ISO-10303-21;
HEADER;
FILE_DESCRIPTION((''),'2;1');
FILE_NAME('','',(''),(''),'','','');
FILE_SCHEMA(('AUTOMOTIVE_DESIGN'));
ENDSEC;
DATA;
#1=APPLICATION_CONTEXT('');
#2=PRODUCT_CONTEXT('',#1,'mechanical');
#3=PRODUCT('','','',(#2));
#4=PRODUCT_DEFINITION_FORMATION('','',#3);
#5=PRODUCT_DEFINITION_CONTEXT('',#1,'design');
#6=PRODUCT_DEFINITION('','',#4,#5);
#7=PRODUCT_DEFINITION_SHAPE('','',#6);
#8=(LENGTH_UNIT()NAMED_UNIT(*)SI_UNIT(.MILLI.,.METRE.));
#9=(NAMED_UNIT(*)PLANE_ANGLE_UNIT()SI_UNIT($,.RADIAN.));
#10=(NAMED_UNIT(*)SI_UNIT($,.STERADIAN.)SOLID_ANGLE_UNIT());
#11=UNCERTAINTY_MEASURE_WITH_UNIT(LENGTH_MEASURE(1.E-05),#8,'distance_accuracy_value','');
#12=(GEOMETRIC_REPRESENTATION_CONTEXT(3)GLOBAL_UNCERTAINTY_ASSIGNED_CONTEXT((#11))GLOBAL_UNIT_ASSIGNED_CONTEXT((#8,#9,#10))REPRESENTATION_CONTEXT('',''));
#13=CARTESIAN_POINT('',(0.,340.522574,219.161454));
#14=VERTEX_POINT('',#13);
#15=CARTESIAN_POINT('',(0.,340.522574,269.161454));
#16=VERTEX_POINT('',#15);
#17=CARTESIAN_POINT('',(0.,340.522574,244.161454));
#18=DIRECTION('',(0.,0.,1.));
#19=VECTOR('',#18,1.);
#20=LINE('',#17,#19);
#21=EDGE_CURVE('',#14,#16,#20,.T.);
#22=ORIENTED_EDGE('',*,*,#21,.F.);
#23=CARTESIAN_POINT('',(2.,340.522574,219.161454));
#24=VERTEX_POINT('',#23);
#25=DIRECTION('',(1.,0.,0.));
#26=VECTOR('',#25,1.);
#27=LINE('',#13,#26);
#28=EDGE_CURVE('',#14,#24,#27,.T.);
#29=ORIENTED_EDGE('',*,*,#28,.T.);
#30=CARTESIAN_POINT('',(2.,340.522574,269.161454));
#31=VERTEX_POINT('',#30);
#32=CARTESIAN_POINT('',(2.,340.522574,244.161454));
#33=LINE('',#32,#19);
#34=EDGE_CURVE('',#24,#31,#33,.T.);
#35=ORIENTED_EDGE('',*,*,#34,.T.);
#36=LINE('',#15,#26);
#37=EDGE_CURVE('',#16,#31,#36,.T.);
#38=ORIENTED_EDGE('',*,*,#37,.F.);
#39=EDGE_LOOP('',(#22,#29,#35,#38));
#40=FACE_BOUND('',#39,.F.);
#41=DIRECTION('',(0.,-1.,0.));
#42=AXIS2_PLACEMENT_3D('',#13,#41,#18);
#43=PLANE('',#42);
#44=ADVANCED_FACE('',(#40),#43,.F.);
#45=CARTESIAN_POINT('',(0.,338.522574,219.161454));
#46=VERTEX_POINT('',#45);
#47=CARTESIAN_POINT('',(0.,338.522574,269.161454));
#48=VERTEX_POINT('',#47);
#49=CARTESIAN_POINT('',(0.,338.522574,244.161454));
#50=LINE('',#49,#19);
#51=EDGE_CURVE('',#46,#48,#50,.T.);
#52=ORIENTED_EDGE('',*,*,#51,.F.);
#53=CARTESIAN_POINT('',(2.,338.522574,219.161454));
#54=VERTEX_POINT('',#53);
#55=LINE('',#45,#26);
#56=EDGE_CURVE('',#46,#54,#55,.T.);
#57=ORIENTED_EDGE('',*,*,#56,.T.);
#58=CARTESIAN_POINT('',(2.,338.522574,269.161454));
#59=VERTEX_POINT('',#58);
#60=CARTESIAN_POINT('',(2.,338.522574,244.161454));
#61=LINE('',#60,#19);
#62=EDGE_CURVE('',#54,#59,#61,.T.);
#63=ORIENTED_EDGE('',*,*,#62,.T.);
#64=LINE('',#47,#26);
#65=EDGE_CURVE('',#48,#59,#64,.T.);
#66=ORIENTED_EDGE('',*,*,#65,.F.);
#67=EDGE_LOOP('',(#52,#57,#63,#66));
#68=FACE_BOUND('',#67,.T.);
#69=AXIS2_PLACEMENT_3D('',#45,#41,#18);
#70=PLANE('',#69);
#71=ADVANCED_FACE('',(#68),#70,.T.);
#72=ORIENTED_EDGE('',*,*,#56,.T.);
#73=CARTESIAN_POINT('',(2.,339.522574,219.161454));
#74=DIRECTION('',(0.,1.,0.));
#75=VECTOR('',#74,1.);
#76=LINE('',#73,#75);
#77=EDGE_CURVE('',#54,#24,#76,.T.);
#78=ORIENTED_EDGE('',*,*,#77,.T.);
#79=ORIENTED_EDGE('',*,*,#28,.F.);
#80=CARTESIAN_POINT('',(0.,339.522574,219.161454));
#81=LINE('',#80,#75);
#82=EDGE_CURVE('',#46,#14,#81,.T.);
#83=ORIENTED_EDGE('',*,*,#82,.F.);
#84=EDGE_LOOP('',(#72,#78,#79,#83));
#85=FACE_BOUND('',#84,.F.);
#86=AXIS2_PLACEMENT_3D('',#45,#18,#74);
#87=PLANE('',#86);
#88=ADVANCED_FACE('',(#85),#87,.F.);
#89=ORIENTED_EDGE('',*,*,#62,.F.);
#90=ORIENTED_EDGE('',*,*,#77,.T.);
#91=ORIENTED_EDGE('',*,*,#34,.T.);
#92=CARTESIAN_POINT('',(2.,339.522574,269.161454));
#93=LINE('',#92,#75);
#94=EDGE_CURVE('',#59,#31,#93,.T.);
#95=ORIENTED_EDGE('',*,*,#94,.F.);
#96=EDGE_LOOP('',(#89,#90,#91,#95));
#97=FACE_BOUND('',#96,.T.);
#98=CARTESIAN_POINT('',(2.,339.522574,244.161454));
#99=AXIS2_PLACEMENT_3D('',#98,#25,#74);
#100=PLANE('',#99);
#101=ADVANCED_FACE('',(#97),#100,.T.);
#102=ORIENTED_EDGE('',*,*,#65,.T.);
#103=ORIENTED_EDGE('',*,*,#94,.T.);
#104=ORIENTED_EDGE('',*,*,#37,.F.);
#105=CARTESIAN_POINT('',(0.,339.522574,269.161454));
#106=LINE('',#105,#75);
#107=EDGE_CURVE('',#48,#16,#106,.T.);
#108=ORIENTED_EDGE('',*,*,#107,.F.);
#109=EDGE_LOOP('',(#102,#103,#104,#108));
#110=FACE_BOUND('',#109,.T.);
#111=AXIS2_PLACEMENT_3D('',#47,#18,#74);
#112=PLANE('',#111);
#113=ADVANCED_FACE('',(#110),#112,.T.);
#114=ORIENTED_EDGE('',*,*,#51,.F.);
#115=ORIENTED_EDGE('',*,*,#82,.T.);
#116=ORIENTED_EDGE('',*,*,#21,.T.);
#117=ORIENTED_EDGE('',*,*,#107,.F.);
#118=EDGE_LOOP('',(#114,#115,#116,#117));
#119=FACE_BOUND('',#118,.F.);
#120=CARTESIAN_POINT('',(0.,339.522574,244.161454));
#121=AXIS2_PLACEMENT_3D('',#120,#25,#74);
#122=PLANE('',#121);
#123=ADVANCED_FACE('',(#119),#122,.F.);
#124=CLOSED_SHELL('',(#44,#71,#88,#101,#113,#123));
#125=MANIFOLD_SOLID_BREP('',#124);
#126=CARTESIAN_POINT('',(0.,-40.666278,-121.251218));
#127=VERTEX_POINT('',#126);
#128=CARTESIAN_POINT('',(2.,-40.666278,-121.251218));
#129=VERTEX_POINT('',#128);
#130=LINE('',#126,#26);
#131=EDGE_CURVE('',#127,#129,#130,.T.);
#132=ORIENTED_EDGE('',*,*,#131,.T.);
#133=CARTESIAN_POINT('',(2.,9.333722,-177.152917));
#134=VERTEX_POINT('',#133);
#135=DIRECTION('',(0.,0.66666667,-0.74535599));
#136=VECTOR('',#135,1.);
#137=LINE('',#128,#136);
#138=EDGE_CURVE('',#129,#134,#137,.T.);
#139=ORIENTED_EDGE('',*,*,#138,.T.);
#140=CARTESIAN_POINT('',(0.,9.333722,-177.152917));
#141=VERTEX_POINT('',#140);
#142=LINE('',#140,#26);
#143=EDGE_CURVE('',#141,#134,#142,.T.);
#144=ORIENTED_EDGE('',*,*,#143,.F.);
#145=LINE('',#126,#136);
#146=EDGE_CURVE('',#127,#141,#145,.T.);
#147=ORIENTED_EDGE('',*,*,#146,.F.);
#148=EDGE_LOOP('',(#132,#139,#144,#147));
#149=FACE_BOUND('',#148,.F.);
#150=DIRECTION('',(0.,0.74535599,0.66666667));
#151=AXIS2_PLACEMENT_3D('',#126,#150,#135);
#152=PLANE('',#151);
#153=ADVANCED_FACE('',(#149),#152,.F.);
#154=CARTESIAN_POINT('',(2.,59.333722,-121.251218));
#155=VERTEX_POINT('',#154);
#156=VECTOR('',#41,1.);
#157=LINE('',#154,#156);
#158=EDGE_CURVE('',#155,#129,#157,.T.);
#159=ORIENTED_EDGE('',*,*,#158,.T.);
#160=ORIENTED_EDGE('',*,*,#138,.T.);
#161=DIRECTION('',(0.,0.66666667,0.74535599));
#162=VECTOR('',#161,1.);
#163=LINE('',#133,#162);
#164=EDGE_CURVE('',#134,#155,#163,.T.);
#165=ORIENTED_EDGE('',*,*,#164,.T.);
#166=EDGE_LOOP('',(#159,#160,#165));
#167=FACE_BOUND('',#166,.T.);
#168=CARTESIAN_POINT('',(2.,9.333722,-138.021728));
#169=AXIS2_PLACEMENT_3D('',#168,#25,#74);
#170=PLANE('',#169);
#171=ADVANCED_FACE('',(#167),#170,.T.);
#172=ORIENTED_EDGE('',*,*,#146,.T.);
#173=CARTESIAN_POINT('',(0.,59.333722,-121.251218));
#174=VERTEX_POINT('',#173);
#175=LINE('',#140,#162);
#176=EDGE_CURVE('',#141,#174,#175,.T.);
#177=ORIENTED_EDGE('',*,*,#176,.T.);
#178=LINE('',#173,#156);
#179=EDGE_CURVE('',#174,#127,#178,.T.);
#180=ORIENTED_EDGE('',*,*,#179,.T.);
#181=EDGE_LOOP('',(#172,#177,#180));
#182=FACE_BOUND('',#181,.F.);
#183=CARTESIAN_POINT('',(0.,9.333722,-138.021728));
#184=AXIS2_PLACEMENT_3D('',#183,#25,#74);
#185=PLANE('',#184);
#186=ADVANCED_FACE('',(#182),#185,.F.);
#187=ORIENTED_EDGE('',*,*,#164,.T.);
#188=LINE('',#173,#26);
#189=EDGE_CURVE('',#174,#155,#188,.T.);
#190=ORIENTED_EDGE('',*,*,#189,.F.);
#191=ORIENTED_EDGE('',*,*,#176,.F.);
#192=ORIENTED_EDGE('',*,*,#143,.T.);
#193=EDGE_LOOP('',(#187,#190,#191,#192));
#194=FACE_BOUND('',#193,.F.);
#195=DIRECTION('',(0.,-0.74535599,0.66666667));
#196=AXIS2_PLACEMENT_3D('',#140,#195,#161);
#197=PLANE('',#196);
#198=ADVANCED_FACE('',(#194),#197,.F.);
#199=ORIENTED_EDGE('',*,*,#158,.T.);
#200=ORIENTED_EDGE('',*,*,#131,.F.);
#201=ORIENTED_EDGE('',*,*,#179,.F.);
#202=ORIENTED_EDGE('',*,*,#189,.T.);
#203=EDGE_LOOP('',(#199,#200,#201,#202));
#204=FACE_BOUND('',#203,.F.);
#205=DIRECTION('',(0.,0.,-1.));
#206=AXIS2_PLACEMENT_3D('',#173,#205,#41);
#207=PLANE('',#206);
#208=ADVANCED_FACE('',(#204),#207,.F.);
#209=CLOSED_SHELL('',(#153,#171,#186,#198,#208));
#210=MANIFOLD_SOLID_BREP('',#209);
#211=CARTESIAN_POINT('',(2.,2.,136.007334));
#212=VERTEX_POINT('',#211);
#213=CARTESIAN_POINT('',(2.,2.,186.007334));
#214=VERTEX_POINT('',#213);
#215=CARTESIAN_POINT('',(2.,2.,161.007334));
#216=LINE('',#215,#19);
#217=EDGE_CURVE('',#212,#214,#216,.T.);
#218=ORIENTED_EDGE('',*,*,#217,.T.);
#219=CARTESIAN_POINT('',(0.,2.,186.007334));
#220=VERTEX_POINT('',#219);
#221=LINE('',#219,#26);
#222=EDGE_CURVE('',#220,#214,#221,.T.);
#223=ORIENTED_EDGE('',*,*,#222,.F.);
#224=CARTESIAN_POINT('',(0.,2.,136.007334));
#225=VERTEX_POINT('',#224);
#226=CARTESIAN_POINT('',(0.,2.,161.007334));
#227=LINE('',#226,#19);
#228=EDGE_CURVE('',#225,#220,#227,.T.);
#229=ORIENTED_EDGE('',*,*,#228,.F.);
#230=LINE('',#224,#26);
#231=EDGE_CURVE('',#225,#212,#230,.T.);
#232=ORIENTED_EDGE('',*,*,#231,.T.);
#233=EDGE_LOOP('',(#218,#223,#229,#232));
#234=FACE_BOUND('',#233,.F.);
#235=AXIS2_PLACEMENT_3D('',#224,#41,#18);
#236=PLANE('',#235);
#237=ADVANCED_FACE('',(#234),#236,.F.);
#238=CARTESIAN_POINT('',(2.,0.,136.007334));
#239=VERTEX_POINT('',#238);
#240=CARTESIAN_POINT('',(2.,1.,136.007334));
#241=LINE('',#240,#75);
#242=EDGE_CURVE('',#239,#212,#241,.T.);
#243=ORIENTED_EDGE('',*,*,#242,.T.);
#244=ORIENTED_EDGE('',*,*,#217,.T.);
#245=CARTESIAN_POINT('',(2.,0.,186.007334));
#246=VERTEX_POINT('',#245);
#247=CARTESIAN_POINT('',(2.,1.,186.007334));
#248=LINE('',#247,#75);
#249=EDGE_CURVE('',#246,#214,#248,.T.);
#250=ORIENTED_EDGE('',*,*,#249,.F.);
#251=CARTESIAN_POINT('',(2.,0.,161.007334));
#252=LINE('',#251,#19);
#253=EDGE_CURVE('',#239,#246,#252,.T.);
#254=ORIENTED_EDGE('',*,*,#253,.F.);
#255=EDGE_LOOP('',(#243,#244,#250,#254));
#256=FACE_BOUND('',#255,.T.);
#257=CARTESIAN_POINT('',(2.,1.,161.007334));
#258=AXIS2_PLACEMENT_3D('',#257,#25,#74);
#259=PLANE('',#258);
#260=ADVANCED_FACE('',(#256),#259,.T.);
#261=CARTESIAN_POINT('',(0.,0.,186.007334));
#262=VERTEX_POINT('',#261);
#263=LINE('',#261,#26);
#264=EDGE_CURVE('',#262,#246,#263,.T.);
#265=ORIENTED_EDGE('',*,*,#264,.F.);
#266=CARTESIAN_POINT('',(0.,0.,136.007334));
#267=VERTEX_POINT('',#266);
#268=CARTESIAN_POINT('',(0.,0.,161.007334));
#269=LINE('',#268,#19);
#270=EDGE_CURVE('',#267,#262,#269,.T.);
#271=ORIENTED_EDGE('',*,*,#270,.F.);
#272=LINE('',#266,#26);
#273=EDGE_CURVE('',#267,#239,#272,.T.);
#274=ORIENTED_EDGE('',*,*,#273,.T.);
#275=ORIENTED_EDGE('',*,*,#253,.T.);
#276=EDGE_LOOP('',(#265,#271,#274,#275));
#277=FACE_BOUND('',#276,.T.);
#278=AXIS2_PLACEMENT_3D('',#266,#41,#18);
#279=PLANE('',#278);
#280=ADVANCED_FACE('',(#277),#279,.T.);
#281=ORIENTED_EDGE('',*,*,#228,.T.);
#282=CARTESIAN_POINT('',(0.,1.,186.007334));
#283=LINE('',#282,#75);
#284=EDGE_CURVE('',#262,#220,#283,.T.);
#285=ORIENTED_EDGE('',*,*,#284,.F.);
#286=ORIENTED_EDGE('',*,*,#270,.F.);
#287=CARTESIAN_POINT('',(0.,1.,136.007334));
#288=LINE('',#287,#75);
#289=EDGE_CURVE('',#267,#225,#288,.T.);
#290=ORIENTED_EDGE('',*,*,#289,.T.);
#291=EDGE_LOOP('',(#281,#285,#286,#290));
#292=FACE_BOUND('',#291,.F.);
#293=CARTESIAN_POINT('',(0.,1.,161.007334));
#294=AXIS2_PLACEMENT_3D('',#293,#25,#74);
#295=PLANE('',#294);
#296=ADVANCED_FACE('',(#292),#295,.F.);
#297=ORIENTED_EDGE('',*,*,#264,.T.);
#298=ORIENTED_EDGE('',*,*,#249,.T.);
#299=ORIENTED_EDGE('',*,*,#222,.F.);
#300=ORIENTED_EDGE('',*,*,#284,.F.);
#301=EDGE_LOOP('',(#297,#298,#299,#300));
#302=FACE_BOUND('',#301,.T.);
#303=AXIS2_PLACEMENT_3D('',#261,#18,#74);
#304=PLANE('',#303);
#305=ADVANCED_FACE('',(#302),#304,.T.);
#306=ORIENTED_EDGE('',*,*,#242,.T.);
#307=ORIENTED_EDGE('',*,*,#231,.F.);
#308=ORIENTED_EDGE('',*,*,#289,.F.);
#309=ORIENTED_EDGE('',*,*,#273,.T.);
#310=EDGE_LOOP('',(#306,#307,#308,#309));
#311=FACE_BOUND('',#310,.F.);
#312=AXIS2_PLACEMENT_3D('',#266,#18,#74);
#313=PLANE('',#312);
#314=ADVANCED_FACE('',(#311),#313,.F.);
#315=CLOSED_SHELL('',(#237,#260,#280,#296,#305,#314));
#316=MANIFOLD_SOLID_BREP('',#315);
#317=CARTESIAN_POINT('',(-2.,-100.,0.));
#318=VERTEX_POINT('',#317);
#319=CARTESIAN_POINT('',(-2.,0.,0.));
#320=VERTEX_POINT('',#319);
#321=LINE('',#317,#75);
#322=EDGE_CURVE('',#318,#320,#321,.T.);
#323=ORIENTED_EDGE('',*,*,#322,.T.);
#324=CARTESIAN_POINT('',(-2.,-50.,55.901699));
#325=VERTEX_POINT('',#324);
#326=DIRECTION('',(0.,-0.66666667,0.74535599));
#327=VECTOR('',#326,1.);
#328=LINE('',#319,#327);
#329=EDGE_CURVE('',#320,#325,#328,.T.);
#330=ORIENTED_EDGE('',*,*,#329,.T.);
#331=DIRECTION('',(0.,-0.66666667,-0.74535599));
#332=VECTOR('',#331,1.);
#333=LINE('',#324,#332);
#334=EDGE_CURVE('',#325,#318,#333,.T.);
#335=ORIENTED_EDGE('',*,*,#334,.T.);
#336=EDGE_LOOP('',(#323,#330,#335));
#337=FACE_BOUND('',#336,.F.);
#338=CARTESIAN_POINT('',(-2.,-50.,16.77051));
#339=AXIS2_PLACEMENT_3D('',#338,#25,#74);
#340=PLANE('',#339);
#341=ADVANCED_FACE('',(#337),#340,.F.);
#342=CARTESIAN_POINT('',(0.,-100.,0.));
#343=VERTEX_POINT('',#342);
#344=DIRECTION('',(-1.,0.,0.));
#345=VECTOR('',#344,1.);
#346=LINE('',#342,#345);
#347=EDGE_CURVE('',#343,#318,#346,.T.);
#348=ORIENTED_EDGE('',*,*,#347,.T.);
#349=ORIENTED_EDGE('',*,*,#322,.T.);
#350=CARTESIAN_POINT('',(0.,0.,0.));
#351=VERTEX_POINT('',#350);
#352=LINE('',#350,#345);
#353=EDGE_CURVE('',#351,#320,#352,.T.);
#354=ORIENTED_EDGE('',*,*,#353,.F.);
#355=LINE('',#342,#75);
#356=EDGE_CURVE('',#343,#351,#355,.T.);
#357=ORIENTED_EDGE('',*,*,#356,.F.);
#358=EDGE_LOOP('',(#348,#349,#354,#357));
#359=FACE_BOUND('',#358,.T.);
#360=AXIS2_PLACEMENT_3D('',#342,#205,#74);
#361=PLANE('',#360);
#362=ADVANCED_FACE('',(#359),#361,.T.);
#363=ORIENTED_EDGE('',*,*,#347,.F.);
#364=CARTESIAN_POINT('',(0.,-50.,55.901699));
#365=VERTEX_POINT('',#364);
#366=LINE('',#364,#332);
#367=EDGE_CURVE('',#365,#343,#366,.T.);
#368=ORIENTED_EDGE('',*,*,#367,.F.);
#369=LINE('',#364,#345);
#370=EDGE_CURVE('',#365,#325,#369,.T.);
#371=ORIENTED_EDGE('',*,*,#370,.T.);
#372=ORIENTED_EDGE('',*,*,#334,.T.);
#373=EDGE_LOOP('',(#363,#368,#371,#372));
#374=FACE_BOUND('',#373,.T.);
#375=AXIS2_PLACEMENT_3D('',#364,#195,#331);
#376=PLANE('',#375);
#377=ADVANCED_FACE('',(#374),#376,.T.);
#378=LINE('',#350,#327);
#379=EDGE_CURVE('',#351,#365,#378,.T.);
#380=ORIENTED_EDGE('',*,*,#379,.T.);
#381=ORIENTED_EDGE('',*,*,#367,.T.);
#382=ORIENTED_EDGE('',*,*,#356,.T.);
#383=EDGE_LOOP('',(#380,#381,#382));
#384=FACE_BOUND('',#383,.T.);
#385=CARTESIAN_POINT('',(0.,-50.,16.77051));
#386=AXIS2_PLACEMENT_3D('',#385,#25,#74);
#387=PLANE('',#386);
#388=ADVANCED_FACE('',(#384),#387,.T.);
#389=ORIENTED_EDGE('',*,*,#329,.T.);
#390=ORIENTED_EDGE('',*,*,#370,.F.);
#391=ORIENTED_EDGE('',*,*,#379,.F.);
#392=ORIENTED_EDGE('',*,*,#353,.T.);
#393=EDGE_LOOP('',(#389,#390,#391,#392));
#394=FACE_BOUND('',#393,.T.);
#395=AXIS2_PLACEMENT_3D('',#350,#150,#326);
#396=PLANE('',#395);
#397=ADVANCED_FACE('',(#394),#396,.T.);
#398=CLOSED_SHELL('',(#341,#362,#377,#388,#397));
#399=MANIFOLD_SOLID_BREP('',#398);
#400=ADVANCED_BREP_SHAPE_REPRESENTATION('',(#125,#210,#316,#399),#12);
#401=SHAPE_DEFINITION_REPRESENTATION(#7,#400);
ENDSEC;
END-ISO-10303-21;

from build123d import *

# Parameters (mm, degrees)
F1_DEPTH = 2
F2_W     = 2
F2_H     = 50
F3_DEPTH = 2
F5_DEPTH = 2
F6_W     = 2
F6_H     = 50
F7_DEPTH = 2


with BuildPart() as f1:
    # F0 (on Right) → F1 (new body)
    with BuildSketch(Plane.YZ):
        Polygon((-100, 0), (0, 0), (-50, 55.901699), align=None)
    extrude(amount=-F1_DEPTH)


with BuildPart() as f3:
    # F2 (on Right) → F3 (new body)
    with BuildSketch(Plane.YZ):
        with Locations((1, 161.007334)):
            Rectangle(F2_W, F2_H)
    extrude(amount=F3_DEPTH)


with BuildPart() as f5:
    # F4 (on Right) → F5 (new body)
    with BuildSketch(Plane.YZ):
        Polygon((59.333722, -121.251218), (-40.666278, -121.251218), (9.333722, -177.152917), align=None)
    extrude(amount=F5_DEPTH)


with BuildPart() as f7:
    # F6 (on Right) → F7 (new body)
    with BuildSketch(Plane.YZ):
        with Locations((339.522574, 244.161454)):
            Rectangle(F6_W, F6_H)
    extrude(amount=F7_DEPTH)


solid = Compound([f1.part, f3.part, f5.part, f7.part])
